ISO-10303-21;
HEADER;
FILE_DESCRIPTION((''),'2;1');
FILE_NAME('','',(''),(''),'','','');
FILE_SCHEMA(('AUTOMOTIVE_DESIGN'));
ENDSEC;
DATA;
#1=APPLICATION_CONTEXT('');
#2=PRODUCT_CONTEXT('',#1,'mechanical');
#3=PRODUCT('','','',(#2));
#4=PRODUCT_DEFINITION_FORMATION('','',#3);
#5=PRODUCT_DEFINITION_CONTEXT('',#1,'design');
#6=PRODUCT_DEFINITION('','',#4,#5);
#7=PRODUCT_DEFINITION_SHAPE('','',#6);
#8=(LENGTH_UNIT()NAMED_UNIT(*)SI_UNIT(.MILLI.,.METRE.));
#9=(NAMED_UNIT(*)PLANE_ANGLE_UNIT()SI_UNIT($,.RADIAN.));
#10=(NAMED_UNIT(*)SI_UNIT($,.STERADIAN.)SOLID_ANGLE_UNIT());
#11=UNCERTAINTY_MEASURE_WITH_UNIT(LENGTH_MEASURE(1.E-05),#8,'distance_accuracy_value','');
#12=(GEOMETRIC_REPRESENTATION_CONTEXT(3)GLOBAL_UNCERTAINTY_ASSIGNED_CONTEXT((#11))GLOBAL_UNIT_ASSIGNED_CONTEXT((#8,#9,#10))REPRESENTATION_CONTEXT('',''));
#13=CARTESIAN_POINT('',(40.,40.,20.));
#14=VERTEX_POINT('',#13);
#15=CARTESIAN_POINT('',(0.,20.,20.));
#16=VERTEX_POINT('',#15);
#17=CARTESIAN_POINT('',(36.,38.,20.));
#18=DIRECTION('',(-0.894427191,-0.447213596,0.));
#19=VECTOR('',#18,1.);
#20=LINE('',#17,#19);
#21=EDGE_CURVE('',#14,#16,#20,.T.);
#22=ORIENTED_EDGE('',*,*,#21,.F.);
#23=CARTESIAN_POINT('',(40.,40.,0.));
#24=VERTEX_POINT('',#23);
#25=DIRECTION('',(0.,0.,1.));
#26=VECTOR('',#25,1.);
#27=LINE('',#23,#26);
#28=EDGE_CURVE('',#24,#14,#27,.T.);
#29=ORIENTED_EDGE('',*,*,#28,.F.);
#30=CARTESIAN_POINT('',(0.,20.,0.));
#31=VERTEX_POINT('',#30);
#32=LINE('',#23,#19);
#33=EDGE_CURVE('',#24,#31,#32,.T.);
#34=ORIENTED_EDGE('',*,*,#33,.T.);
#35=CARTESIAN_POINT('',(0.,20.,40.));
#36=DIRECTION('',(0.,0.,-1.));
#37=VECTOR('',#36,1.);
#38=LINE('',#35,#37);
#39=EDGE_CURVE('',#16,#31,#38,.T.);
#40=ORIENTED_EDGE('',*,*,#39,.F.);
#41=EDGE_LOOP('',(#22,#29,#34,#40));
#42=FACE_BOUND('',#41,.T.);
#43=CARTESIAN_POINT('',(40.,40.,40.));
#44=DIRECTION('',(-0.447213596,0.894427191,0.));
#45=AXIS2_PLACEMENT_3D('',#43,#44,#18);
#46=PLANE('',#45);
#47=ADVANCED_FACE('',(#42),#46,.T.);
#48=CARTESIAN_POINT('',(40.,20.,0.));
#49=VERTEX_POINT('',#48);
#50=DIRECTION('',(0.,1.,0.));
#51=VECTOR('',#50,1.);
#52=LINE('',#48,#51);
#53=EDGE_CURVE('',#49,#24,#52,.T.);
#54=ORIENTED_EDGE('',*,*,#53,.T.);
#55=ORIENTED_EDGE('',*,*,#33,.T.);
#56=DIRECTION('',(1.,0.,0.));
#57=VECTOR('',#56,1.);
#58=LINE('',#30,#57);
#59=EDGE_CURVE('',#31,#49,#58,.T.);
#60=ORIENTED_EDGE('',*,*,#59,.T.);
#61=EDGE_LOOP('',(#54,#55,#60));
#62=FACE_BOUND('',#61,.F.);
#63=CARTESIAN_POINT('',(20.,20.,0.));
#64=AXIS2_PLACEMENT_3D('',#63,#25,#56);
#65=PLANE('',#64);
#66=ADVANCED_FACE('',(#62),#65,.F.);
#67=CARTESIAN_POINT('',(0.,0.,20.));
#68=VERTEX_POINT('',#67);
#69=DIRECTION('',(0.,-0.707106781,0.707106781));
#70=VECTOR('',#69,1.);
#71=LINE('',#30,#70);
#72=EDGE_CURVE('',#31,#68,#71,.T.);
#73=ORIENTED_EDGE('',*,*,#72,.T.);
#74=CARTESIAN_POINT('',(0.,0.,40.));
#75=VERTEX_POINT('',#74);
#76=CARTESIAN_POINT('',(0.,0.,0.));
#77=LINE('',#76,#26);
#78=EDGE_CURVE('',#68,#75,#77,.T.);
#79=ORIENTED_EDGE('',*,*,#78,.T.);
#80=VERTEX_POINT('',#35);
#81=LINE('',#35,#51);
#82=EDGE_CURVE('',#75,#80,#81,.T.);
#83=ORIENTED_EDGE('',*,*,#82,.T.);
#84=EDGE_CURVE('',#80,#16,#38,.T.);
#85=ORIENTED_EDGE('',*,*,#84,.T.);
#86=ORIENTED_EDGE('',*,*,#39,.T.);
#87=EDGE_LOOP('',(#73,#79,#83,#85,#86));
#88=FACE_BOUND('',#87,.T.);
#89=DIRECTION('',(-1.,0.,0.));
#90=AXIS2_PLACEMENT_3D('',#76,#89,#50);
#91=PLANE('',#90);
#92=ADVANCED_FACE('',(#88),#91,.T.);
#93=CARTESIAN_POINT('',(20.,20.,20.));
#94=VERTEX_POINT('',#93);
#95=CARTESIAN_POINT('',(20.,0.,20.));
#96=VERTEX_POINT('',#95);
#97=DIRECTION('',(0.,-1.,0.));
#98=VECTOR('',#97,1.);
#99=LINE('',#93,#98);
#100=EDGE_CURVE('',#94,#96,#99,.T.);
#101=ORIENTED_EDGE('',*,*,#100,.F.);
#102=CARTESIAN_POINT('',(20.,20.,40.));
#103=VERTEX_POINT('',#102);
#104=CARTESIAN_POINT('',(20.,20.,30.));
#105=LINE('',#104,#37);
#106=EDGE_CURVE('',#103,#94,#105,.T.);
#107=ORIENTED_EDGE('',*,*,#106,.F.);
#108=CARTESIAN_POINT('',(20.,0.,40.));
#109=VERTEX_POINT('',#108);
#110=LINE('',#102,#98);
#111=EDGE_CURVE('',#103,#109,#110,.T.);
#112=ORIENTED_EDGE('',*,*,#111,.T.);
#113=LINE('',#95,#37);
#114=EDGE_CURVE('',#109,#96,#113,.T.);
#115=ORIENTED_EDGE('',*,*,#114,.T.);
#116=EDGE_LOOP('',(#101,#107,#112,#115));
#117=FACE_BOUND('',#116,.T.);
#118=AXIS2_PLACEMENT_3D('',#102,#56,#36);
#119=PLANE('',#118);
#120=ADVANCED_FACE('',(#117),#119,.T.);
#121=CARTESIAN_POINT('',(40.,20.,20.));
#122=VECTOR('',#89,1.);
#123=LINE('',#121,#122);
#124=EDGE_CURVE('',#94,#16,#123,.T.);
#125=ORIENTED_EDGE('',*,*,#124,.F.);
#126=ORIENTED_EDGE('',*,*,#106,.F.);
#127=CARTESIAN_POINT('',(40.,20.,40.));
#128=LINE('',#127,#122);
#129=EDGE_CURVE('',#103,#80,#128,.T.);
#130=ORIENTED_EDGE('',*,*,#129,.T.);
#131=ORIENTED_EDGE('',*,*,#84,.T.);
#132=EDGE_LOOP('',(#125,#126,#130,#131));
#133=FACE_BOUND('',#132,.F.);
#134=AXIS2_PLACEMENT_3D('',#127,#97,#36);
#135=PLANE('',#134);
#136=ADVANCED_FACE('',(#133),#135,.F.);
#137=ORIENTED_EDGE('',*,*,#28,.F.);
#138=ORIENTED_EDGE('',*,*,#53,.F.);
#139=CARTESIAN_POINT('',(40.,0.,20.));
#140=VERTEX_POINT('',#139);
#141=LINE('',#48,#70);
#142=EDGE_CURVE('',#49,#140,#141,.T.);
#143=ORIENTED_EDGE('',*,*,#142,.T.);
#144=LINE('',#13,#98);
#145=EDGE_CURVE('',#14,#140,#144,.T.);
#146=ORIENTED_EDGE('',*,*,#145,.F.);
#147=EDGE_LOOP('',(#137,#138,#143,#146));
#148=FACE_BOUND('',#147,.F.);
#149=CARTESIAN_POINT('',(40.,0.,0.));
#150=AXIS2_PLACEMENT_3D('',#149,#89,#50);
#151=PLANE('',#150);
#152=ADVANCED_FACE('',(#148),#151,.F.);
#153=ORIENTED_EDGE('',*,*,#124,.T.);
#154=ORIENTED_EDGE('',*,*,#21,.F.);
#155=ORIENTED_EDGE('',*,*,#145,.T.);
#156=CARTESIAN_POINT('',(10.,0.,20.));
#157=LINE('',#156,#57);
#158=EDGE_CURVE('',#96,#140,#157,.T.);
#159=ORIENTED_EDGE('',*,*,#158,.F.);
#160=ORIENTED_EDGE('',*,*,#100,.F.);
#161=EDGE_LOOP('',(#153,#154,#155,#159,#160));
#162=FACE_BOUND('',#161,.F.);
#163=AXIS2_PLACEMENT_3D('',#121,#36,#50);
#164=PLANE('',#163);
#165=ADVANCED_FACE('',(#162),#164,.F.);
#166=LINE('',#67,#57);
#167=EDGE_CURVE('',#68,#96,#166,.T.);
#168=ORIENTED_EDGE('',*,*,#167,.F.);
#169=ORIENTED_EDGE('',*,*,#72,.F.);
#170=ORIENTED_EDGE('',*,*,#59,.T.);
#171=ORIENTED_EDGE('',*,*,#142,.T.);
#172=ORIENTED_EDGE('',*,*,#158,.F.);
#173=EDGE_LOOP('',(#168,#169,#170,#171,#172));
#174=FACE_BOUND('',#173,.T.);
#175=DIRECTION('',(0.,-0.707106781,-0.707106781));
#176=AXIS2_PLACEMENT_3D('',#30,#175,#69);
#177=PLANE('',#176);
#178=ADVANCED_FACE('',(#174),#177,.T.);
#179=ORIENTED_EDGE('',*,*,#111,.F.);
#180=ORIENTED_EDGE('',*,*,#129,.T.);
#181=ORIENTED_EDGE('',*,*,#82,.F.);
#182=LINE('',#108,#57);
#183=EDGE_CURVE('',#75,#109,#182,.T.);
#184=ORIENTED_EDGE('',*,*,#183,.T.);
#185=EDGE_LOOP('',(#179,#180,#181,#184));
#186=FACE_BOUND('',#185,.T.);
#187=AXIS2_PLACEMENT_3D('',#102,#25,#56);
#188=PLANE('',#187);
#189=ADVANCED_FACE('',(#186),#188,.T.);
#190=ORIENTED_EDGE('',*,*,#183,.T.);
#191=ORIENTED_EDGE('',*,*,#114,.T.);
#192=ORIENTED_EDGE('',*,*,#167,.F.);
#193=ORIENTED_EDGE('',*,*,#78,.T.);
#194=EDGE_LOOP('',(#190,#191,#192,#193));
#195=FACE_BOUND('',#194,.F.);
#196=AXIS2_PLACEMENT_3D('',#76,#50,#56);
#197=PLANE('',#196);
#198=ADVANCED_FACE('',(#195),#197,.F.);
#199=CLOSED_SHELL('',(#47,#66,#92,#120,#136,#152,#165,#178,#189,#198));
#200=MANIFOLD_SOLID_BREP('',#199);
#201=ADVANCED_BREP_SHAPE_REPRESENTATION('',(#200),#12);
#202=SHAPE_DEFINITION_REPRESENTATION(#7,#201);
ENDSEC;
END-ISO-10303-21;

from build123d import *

# Parameters (mm, degrees)
SKETCH1_W           = 40
SKETCH1_H           = 40
BOSS_EXTRUDE1_DEPTH = 40
CUT_EXTRUDE1_DEPTH  = 40
SKETCH3_W           = 20
SKETCH3_H           = 20
CUT_EXTRUDE2_DEPTH  = 40
SKETCH5_W           = 20
SKETCH5_H           = 20
CUT_EXTRUDE4_DEPTH  = 40
CUT_EXTRUDE5_DEPTH  = 40


with BuildPart() as part:
    # Sketch1 → Boss-Extrude1 (new body)
    with BuildSketch(Plane.XY):
        with Locations((20, 20)):
            Rectangle(SKETCH1_W, SKETCH1_H)
    extrude(amount=BOSS_EXTRUDE1_DEPTH)

    # Sketch2 → Cut-Extrude1 (cut)
    with BuildSketch(Plane.XY.offset(40)):
        Polygon((40, 40), (0, 20), (0, 40), align=None)
    extrude(amount=-CUT_EXTRUDE1_DEPTH, mode=Mode.SUBTRACT)

    # Sketch3 → Cut-Extrude2 (cut)
    with BuildSketch(Plane(origin=(40, 0, 0), x_dir=(0, 0, -1), z_dir=(1, 0, 0))):
        with Locations((-30, 30)):
            Rectangle(SKETCH3_W, SKETCH3_H)
    extrude(amount=-CUT_EXTRUDE2_DEPTH, mode=Mode.SUBTRACT)

    # Sketch5 → Cut-Extrude4 (cut)
    with BuildSketch(Plane(origin=(0, 20, 0), x_dir=(1, 0, 0), z_dir=(0, 1, 0))):
        with Locations((30, -30)):
            Rectangle(SKETCH5_W, SKETCH5_H)
    extrude(amount=-CUT_EXTRUDE4_DEPTH, mode=Mode.SUBTRACT)

    # Sketch6 → Cut-Extrude5 (cut)
    with BuildSketch(Plane.ZY):
        Polygon((0, 20), (20, 0), (0, 0), align=None)
    extrude(amount=-CUT_EXTRUDE5_DEPTH, mode=Mode.SUBTRACT)


solid = part.part
